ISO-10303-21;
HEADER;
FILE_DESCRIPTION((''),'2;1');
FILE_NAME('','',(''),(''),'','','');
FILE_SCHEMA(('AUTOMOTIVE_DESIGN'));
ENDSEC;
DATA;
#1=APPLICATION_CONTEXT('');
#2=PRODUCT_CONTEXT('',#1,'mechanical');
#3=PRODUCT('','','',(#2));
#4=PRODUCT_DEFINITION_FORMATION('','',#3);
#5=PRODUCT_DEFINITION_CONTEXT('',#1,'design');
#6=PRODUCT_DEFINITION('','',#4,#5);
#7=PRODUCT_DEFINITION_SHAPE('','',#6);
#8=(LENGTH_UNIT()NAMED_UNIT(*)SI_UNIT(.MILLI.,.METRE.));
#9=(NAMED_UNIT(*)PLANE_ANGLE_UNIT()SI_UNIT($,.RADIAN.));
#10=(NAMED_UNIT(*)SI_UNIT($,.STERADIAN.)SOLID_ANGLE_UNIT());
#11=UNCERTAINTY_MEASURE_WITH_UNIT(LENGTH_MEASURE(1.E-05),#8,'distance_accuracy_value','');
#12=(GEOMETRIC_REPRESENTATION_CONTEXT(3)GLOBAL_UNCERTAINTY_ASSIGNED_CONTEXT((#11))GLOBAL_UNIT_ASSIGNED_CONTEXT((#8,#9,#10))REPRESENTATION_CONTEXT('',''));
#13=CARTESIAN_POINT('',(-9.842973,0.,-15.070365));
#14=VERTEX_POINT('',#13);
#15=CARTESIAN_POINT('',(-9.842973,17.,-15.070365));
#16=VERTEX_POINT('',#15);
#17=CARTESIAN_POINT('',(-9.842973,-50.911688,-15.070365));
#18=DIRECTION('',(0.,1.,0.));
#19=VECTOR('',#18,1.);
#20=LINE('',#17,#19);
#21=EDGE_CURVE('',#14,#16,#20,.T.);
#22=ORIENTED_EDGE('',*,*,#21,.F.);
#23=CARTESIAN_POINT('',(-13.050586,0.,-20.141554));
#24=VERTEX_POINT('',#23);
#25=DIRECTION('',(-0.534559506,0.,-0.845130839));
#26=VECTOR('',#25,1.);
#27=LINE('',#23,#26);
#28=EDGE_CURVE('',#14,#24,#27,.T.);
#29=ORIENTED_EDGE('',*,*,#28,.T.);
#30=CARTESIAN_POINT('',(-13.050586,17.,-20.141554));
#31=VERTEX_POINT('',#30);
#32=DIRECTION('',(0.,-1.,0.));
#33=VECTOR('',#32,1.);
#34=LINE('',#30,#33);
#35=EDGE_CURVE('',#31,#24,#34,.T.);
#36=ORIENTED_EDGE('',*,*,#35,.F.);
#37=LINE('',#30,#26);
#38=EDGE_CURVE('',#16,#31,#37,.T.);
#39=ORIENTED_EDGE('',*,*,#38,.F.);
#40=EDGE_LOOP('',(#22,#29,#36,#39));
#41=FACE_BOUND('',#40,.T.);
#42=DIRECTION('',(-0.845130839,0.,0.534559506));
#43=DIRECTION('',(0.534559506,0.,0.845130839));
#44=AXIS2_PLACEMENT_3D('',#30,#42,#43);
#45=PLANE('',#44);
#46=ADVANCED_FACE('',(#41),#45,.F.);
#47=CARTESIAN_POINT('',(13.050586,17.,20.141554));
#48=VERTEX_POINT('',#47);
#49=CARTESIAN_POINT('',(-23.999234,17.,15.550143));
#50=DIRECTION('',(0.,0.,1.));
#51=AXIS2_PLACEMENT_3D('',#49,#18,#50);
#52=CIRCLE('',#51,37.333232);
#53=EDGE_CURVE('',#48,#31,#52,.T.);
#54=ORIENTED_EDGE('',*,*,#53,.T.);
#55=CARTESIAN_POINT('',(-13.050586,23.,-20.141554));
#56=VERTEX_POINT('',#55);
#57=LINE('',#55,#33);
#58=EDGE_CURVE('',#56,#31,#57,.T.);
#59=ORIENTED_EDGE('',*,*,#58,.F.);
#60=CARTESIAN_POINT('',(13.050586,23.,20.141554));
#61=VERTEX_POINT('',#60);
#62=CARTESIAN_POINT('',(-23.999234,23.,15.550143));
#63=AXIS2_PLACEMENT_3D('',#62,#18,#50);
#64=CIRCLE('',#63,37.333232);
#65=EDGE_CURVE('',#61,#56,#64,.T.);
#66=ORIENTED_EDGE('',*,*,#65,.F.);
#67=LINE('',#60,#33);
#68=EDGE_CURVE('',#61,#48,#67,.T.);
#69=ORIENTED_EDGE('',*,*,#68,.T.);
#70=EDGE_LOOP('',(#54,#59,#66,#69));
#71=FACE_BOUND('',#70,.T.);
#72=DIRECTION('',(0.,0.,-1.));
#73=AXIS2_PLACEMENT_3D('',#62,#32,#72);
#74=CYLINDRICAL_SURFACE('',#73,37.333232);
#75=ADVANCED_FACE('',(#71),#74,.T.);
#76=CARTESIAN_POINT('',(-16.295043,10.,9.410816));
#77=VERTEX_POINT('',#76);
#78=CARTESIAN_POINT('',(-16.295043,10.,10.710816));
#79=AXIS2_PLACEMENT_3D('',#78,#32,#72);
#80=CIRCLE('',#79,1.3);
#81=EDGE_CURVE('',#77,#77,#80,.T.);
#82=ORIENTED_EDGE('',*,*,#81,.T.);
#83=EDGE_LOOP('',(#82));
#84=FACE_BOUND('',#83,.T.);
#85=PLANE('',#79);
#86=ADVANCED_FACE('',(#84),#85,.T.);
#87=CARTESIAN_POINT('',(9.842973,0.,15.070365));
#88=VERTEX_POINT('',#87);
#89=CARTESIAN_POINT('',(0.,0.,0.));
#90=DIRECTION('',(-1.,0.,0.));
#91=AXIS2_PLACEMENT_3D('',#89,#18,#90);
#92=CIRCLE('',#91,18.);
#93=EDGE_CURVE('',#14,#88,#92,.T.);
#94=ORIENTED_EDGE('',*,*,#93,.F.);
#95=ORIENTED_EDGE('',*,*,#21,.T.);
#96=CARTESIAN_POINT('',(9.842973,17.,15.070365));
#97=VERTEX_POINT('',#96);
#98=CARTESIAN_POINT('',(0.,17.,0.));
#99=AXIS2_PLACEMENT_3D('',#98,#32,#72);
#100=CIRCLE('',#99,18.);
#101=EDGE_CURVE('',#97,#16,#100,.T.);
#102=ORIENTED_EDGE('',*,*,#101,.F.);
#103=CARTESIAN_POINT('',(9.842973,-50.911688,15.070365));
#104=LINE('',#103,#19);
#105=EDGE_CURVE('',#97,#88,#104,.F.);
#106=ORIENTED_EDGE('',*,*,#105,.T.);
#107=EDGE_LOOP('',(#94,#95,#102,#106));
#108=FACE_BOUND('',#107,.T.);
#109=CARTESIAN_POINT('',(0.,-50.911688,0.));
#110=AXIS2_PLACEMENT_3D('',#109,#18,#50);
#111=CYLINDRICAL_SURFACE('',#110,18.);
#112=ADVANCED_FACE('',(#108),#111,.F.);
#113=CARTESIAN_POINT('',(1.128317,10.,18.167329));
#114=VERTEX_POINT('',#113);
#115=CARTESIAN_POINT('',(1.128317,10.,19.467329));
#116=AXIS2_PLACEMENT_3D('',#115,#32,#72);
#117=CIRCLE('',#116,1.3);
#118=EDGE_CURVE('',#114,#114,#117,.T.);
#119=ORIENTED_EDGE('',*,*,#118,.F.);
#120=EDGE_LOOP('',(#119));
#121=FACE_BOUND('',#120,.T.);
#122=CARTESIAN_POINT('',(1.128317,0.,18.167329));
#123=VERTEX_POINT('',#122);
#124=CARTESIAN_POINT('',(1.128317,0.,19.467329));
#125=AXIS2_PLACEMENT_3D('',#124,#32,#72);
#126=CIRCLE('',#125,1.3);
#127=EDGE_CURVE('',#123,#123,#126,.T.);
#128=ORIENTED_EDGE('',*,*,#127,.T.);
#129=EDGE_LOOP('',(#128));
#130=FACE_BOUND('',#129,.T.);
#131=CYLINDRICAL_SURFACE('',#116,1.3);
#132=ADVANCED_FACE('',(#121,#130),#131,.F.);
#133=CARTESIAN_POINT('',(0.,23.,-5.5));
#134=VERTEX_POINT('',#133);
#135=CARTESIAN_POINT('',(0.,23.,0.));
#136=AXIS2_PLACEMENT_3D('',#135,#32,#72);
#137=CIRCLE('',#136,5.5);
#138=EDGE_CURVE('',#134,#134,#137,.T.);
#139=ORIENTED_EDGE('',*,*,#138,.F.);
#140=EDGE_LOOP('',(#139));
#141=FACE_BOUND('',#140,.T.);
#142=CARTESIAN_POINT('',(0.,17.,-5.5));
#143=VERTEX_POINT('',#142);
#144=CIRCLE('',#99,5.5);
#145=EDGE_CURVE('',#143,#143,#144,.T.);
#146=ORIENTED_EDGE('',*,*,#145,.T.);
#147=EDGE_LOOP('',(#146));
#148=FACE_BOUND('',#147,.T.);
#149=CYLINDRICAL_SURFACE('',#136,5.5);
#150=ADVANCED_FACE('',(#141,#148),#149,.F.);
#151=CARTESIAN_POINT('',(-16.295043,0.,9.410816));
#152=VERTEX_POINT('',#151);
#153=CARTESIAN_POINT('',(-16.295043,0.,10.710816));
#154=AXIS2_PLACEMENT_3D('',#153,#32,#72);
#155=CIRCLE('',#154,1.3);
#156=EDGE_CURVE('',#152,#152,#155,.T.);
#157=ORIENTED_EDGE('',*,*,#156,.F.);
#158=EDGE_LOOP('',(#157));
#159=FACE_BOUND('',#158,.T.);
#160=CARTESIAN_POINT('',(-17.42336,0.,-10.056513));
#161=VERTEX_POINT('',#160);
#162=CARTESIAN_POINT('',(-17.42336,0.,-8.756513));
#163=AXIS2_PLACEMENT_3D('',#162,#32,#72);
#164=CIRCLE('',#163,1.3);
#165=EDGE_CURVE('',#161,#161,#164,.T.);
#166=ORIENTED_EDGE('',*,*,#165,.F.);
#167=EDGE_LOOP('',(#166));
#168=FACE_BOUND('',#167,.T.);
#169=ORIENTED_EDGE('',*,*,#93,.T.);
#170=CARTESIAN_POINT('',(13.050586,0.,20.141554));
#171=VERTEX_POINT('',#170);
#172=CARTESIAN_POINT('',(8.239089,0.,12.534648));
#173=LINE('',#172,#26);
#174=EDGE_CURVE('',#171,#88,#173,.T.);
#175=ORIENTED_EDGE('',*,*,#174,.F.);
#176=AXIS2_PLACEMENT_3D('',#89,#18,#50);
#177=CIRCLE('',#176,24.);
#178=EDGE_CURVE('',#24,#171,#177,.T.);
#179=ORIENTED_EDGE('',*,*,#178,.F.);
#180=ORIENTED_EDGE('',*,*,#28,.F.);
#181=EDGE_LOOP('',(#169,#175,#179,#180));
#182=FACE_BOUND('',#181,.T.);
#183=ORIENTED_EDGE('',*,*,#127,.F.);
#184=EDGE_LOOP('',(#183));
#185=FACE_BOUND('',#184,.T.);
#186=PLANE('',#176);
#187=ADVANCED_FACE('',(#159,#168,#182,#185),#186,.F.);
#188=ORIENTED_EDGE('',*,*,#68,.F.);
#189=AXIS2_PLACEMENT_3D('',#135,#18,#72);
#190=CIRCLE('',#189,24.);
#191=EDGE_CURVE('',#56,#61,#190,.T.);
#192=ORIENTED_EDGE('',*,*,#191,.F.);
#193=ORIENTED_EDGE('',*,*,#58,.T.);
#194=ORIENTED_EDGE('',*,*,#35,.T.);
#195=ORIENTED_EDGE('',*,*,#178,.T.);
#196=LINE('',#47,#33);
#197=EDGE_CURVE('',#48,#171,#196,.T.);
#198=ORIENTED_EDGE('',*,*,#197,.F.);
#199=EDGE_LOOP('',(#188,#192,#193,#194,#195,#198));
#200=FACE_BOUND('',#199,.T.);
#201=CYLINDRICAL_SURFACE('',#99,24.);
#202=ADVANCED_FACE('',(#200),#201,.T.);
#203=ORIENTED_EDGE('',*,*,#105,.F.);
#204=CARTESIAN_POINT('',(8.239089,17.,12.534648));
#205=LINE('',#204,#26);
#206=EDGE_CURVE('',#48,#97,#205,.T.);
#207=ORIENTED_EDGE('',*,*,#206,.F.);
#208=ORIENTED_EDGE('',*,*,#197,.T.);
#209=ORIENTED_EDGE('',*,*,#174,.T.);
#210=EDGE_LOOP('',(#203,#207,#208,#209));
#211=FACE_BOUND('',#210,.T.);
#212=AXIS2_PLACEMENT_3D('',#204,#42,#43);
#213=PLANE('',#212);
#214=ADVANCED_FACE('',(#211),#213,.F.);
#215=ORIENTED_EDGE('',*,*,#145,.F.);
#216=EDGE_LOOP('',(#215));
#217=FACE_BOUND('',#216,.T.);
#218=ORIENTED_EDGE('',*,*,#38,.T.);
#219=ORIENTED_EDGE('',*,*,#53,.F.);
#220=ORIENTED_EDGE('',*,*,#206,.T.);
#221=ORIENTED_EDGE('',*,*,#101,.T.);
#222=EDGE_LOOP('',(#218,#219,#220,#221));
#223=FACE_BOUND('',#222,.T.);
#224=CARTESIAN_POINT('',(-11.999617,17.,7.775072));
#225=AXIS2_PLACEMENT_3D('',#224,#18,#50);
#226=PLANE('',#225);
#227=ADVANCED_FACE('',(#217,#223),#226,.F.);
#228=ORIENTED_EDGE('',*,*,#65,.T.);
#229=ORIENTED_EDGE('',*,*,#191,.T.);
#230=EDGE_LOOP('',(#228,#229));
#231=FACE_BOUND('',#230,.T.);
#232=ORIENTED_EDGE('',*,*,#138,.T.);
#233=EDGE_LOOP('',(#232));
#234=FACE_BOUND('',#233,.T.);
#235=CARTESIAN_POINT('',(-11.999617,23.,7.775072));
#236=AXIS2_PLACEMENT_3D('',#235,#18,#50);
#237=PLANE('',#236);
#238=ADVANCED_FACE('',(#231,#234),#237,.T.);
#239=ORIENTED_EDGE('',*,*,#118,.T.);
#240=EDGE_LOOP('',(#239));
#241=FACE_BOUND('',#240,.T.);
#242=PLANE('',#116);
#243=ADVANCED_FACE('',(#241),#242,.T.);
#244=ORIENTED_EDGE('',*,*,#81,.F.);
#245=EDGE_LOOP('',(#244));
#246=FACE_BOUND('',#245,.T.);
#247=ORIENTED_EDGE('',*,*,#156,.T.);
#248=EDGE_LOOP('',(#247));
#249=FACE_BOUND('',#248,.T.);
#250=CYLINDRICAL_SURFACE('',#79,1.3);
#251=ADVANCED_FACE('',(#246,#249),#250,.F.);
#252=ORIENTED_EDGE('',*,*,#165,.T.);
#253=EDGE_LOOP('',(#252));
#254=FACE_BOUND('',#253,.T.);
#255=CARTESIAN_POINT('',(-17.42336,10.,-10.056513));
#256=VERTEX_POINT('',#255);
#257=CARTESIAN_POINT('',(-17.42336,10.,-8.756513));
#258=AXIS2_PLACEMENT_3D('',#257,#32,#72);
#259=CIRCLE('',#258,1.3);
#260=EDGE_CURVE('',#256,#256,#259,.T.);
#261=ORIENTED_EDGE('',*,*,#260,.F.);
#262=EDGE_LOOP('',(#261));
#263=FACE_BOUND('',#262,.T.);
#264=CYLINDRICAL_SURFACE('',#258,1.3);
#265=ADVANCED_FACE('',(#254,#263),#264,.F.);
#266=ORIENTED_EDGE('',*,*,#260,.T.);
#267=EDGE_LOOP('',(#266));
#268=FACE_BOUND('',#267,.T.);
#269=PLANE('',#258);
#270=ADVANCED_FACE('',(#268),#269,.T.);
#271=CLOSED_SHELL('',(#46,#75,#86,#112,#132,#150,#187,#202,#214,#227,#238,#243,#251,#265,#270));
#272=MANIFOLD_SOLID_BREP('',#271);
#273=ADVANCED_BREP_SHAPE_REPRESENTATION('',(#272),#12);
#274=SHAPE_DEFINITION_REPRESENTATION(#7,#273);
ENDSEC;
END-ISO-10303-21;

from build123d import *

# Parameters (mm, degrees)
EXTRUDE_2_DEPTH     = 17
EXTRUDE_3_DEPTH     = 6
SKETCH_5_R          = 4.5
CUT_EXTRUDE_1_DEPTH = 6
SKETCH_7_R          = 1.3
CUT_EXTRUDE_2_DEPTH = 10
SKETCH1_R           = 5.5
CUT_EXTRUDE1_DEPTH  = 38.960505792
CUT_EXTRUDE_3_REACH = 39.961
SKETCH_10_R         = 18


with BuildPart() as part:
    # 草图2 → 凸台-拉伸2 (new body)
    with BuildSketch(Plane(origin=(0, 0, 0), x_dir=(1, 0, 0), z_dir=(0, 1, 0))):
        with BuildLine():
            Line((-13.050585614, 20.141554437), (-8.239089232, 12.534648325))
            ThreePointArc((-8.239089232, 12.534648325), (-12.534648325, -8.239089232), (8.239089232, -12.534648325))
            Line((8.239089232, -12.534648325), (13.050585614, -20.141554437))
            ThreePointArc((13.050585614, -20.141554437), (-20.141554437, -13.050585614), (-13.050585614, 20.141554437))
        make_face()
    extrude(amount=EXTRUDE_2_DEPTH)

    # 草图4 → 凸台-拉伸3 (add)
    with BuildSketch(Plane(origin=(0, 17, 0), x_dir=(1, 0, 0), z_dir=(0, 1, 0))):
        with BuildLine():
            ThreePointArc((13.050585614, -20.141554437), (-20.141554437, -13.050585614), (-13.050585614, 20.141554437))
            ThreePointArc((-13.050585614, 20.141554437), (7.331987605, 4.750712377), (13.050585614, -20.141554437))
        make_face()
    extrude(amount=EXTRUDE_3_DEPTH)

    # 草图5 → 切除-拉伸1 (cut)
    with BuildSketch(Plane(origin=(0, 23, 0), x_dir=(1, 0, 0), z_dir=(0, 1, 0))):
        with Locations(Location((0, 0, 0), (0, 0, 270))):
            Circle(SKETCH_5_R)
    extrude(amount=-CUT_EXTRUDE_1_DEPTH, mode=Mode.SUBTRACT)

    # 草图7 → 切除-拉伸2 (cut)
    with BuildSketch(Plane.XZ):
        with Locations(Location((-17.423360164, -8.756513039, 0), (0, 0, 270))):
            Circle(SKETCH_7_R)
        with Locations(Location((-16.295042822, 10.710816001, 0), (0, 0, 270))):
            Circle(SKETCH_7_R)
        with Locations(Location((1.128317341, 19.467329041, 0), (0, 0, 270))):
            Circle(SKETCH_7_R)
    extrude(amount=-CUT_EXTRUDE_2_DEPTH, mode=Mode.SUBTRACT)

    # Sketch1 → Cut-Extrude1 (cut, through all)
    with BuildSketch(Plane.XZ.offset(-17)):
        with Locations(Location((0, 0, 0), (0, 0, 270))):
            Circle(SKETCH1_R)
    extrude(amount=-CUT_EXTRUDE1_DEPTH, mode=Mode.SUBTRACT)

    # 草图10 → 切除-拉伸3 (cut, up to next)
    with BuildSketch(Plane.XZ.offset(-17), mode=Mode.PRIVATE) as cut_extrude_3_sk1:
        Circle(SKETCH_10_R)
    cut_extrude_3_tool1 = extrude(cut_extrude_3_sk1.sketch, amount=CUT_EXTRUDE_3_REACH, mode=Mode.PRIVATE) & part.part
    add(cut_extrude_3_tool1.solids().sort_by_distance((0, 17, 0))[0], mode=Mode.SUBTRACT)


solid = part.part
